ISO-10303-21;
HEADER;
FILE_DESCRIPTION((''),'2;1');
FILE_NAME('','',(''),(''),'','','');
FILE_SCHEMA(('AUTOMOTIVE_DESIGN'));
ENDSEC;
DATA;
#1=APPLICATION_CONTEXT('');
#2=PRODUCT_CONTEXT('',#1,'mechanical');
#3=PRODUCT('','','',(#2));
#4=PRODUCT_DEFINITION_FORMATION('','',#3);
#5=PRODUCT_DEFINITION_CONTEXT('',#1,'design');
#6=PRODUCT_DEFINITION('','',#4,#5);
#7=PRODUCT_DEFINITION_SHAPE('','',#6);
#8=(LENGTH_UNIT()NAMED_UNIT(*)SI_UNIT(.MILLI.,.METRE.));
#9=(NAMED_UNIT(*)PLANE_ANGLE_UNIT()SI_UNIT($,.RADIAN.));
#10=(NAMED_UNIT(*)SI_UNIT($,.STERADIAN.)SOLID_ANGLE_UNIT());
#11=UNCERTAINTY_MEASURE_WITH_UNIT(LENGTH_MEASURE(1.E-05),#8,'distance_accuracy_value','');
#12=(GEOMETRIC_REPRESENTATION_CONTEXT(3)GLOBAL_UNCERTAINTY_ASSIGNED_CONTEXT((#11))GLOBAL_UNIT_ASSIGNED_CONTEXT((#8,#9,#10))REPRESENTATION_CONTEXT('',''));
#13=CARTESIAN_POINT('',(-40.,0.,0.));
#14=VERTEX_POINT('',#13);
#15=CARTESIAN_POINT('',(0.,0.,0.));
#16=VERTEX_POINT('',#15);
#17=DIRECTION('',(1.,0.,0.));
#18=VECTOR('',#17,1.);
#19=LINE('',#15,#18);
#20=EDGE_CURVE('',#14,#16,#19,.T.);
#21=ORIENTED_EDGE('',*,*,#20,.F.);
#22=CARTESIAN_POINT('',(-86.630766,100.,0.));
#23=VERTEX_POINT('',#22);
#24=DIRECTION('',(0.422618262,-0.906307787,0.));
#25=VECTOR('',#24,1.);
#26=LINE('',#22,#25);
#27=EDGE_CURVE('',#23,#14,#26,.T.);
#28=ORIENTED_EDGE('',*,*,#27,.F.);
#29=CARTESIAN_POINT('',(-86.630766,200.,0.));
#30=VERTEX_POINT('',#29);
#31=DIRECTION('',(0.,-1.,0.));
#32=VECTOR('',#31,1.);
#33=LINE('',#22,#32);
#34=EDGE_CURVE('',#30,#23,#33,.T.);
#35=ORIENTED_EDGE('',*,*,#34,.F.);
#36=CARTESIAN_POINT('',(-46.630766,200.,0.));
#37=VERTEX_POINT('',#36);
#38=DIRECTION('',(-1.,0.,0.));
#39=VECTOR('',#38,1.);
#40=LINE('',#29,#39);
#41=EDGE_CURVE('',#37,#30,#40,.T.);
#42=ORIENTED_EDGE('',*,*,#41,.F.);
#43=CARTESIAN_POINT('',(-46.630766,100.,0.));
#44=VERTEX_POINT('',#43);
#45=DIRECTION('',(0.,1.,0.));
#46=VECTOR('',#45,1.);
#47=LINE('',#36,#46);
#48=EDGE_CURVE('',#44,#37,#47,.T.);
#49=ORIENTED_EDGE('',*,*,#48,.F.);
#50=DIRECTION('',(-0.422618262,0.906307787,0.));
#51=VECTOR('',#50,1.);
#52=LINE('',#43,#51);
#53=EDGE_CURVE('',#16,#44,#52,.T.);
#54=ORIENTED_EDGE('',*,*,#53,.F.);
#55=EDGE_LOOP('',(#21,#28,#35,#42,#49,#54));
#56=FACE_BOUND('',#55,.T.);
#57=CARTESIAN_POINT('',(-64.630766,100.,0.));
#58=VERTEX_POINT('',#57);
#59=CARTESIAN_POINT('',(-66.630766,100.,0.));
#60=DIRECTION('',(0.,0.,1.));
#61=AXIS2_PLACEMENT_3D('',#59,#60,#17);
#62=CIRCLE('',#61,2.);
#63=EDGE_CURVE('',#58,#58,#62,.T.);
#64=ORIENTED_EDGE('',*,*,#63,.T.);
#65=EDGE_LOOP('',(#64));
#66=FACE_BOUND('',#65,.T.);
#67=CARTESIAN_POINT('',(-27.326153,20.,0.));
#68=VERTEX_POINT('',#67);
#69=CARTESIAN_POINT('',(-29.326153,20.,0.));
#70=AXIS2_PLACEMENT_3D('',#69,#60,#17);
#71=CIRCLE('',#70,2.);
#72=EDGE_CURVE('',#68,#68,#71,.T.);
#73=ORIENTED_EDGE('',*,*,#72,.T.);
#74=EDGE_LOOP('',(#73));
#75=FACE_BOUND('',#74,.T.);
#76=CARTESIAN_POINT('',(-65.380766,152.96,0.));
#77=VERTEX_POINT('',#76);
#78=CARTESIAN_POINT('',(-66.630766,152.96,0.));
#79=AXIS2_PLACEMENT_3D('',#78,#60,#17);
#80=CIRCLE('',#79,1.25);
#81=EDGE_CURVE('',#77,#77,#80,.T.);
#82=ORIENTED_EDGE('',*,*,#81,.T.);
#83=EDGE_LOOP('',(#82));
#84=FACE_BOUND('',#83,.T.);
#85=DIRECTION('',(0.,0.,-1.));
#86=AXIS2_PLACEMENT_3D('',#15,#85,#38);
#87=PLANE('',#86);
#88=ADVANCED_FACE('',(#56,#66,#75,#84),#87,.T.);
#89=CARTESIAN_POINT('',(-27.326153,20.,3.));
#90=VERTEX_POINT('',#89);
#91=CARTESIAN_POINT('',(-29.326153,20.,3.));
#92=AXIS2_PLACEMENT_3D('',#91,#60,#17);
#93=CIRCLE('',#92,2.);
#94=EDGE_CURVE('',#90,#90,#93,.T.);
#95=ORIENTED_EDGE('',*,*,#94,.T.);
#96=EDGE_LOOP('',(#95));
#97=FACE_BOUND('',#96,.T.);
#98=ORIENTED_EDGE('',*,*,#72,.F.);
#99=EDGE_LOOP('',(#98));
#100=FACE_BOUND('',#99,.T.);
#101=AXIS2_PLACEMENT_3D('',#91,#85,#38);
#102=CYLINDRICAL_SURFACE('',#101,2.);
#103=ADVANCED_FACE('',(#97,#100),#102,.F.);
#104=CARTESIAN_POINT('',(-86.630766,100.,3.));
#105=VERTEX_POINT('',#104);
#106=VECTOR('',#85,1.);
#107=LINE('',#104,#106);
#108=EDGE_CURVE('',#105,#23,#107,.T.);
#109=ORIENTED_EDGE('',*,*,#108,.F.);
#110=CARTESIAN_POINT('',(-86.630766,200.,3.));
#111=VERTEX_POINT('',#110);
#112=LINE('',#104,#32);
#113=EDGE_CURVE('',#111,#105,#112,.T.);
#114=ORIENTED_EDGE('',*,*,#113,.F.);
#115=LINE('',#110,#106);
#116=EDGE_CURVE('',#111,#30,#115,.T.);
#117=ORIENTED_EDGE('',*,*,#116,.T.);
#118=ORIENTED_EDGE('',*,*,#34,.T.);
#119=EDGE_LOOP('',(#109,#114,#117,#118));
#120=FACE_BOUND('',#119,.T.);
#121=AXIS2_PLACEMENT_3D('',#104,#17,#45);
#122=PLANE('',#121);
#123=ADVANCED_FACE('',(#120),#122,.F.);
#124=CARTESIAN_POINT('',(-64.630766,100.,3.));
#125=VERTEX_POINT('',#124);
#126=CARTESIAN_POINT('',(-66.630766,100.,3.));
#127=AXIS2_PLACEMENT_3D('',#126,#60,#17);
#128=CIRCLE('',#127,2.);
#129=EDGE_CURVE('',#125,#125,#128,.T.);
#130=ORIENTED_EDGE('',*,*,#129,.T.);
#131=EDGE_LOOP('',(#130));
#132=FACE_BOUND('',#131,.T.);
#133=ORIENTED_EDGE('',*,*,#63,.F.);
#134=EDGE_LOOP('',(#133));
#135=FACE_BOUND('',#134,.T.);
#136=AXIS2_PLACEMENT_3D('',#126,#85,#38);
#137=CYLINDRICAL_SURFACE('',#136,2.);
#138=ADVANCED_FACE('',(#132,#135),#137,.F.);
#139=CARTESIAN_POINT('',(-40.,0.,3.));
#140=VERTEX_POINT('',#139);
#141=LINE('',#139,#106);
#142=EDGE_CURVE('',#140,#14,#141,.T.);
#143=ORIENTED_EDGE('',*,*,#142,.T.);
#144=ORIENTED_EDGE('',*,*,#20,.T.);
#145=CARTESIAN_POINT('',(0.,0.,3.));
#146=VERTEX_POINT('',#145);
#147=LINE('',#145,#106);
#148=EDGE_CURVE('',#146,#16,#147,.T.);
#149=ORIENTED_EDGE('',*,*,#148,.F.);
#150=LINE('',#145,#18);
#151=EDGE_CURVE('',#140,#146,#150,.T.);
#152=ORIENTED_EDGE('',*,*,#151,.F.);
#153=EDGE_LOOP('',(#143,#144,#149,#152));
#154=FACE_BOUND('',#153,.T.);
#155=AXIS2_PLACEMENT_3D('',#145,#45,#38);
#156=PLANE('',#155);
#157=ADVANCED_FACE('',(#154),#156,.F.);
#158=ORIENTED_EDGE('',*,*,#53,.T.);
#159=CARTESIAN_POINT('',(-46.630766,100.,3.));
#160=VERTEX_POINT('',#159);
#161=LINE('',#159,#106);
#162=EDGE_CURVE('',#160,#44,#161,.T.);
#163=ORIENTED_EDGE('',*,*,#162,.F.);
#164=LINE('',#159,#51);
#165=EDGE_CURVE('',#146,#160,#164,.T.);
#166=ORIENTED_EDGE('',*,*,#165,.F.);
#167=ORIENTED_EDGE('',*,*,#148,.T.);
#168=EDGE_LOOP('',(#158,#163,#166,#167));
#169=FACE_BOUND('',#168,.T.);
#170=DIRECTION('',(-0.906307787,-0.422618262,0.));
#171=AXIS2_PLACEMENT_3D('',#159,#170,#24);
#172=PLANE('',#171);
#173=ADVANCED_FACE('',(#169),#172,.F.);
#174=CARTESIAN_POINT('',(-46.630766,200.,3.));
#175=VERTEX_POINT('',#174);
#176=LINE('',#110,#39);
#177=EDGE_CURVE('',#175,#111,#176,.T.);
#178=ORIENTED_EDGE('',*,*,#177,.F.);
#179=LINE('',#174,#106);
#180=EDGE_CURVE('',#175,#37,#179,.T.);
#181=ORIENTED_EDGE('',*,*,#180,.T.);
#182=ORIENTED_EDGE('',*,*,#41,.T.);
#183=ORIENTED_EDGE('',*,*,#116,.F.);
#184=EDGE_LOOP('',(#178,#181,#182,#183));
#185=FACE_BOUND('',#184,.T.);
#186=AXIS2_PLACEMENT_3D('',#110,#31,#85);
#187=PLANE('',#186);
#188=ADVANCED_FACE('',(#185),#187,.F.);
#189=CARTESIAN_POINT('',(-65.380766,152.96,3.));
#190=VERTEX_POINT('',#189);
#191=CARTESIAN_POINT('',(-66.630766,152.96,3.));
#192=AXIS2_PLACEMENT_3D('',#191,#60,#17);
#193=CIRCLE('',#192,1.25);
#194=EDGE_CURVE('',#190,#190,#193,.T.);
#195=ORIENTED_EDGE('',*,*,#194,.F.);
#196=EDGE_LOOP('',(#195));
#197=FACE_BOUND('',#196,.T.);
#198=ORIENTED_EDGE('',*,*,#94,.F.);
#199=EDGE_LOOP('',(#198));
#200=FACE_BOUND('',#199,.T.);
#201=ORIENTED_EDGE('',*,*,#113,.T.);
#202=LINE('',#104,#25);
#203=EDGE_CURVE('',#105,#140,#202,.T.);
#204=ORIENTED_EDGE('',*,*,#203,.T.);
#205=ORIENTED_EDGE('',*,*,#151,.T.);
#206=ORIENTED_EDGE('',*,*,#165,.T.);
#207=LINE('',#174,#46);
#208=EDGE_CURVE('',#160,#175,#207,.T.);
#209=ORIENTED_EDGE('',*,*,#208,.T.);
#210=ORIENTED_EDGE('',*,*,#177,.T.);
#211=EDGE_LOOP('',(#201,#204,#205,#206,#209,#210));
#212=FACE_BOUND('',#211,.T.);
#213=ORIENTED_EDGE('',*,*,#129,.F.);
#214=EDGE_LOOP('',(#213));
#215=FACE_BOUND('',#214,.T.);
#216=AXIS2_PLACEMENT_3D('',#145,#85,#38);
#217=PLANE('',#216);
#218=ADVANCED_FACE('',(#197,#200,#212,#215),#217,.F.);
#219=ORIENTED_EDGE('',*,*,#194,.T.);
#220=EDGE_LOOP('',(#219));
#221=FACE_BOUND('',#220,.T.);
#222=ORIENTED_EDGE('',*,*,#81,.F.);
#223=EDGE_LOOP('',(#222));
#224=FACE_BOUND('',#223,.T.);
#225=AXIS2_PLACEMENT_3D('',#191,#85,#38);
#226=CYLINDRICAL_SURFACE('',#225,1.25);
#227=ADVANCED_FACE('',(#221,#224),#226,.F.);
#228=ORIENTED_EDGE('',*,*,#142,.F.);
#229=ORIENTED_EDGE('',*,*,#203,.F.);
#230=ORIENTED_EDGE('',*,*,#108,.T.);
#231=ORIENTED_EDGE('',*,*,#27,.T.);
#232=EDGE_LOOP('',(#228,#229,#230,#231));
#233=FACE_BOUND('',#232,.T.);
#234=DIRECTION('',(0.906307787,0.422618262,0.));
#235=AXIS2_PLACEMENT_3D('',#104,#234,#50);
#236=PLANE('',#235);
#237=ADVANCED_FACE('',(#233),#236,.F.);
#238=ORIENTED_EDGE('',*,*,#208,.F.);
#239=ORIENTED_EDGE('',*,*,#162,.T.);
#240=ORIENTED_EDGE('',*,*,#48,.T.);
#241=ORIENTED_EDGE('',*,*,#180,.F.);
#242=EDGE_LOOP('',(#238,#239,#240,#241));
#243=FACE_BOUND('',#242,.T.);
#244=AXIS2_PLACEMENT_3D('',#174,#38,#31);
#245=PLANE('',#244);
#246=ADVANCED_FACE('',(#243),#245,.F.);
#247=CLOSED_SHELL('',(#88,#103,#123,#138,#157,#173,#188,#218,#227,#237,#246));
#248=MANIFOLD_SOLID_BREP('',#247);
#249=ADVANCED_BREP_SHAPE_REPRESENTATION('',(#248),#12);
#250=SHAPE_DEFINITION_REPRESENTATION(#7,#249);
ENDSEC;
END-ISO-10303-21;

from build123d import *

# Parameters (mm, degrees)
CROQUIS1_R              = 2
CROQUIS1_R_2            = 1.25
SALIENTE_EXTRUIR1_DEPTH = 3


with BuildPart() as part:
    # Croquis1 → Saliente-Extruir1 (new body)
    with BuildSketch(Plane.XY):
        Polygon((0, 0), (-40, 0), (-86.630765816, 100), (-86.630765816, 200), (-46.630765816, 200), (-46.630765816, 100), align=None)
        with Locations((-29.326153163, 20)):
            Circle(CROQUIS1_R, mode=Mode.SUBTRACT)
        with Locations((-66.630765816, 152.96)):
            Circle(CROQUIS1_R_2, mode=Mode.SUBTRACT)
        with Locations((-66.630765816, 100)):
            Circle(CROQUIS1_R, mode=Mode.SUBTRACT)
    extrude(amount=SALIENTE_EXTRUIR1_DEPTH)


solid = part.part
